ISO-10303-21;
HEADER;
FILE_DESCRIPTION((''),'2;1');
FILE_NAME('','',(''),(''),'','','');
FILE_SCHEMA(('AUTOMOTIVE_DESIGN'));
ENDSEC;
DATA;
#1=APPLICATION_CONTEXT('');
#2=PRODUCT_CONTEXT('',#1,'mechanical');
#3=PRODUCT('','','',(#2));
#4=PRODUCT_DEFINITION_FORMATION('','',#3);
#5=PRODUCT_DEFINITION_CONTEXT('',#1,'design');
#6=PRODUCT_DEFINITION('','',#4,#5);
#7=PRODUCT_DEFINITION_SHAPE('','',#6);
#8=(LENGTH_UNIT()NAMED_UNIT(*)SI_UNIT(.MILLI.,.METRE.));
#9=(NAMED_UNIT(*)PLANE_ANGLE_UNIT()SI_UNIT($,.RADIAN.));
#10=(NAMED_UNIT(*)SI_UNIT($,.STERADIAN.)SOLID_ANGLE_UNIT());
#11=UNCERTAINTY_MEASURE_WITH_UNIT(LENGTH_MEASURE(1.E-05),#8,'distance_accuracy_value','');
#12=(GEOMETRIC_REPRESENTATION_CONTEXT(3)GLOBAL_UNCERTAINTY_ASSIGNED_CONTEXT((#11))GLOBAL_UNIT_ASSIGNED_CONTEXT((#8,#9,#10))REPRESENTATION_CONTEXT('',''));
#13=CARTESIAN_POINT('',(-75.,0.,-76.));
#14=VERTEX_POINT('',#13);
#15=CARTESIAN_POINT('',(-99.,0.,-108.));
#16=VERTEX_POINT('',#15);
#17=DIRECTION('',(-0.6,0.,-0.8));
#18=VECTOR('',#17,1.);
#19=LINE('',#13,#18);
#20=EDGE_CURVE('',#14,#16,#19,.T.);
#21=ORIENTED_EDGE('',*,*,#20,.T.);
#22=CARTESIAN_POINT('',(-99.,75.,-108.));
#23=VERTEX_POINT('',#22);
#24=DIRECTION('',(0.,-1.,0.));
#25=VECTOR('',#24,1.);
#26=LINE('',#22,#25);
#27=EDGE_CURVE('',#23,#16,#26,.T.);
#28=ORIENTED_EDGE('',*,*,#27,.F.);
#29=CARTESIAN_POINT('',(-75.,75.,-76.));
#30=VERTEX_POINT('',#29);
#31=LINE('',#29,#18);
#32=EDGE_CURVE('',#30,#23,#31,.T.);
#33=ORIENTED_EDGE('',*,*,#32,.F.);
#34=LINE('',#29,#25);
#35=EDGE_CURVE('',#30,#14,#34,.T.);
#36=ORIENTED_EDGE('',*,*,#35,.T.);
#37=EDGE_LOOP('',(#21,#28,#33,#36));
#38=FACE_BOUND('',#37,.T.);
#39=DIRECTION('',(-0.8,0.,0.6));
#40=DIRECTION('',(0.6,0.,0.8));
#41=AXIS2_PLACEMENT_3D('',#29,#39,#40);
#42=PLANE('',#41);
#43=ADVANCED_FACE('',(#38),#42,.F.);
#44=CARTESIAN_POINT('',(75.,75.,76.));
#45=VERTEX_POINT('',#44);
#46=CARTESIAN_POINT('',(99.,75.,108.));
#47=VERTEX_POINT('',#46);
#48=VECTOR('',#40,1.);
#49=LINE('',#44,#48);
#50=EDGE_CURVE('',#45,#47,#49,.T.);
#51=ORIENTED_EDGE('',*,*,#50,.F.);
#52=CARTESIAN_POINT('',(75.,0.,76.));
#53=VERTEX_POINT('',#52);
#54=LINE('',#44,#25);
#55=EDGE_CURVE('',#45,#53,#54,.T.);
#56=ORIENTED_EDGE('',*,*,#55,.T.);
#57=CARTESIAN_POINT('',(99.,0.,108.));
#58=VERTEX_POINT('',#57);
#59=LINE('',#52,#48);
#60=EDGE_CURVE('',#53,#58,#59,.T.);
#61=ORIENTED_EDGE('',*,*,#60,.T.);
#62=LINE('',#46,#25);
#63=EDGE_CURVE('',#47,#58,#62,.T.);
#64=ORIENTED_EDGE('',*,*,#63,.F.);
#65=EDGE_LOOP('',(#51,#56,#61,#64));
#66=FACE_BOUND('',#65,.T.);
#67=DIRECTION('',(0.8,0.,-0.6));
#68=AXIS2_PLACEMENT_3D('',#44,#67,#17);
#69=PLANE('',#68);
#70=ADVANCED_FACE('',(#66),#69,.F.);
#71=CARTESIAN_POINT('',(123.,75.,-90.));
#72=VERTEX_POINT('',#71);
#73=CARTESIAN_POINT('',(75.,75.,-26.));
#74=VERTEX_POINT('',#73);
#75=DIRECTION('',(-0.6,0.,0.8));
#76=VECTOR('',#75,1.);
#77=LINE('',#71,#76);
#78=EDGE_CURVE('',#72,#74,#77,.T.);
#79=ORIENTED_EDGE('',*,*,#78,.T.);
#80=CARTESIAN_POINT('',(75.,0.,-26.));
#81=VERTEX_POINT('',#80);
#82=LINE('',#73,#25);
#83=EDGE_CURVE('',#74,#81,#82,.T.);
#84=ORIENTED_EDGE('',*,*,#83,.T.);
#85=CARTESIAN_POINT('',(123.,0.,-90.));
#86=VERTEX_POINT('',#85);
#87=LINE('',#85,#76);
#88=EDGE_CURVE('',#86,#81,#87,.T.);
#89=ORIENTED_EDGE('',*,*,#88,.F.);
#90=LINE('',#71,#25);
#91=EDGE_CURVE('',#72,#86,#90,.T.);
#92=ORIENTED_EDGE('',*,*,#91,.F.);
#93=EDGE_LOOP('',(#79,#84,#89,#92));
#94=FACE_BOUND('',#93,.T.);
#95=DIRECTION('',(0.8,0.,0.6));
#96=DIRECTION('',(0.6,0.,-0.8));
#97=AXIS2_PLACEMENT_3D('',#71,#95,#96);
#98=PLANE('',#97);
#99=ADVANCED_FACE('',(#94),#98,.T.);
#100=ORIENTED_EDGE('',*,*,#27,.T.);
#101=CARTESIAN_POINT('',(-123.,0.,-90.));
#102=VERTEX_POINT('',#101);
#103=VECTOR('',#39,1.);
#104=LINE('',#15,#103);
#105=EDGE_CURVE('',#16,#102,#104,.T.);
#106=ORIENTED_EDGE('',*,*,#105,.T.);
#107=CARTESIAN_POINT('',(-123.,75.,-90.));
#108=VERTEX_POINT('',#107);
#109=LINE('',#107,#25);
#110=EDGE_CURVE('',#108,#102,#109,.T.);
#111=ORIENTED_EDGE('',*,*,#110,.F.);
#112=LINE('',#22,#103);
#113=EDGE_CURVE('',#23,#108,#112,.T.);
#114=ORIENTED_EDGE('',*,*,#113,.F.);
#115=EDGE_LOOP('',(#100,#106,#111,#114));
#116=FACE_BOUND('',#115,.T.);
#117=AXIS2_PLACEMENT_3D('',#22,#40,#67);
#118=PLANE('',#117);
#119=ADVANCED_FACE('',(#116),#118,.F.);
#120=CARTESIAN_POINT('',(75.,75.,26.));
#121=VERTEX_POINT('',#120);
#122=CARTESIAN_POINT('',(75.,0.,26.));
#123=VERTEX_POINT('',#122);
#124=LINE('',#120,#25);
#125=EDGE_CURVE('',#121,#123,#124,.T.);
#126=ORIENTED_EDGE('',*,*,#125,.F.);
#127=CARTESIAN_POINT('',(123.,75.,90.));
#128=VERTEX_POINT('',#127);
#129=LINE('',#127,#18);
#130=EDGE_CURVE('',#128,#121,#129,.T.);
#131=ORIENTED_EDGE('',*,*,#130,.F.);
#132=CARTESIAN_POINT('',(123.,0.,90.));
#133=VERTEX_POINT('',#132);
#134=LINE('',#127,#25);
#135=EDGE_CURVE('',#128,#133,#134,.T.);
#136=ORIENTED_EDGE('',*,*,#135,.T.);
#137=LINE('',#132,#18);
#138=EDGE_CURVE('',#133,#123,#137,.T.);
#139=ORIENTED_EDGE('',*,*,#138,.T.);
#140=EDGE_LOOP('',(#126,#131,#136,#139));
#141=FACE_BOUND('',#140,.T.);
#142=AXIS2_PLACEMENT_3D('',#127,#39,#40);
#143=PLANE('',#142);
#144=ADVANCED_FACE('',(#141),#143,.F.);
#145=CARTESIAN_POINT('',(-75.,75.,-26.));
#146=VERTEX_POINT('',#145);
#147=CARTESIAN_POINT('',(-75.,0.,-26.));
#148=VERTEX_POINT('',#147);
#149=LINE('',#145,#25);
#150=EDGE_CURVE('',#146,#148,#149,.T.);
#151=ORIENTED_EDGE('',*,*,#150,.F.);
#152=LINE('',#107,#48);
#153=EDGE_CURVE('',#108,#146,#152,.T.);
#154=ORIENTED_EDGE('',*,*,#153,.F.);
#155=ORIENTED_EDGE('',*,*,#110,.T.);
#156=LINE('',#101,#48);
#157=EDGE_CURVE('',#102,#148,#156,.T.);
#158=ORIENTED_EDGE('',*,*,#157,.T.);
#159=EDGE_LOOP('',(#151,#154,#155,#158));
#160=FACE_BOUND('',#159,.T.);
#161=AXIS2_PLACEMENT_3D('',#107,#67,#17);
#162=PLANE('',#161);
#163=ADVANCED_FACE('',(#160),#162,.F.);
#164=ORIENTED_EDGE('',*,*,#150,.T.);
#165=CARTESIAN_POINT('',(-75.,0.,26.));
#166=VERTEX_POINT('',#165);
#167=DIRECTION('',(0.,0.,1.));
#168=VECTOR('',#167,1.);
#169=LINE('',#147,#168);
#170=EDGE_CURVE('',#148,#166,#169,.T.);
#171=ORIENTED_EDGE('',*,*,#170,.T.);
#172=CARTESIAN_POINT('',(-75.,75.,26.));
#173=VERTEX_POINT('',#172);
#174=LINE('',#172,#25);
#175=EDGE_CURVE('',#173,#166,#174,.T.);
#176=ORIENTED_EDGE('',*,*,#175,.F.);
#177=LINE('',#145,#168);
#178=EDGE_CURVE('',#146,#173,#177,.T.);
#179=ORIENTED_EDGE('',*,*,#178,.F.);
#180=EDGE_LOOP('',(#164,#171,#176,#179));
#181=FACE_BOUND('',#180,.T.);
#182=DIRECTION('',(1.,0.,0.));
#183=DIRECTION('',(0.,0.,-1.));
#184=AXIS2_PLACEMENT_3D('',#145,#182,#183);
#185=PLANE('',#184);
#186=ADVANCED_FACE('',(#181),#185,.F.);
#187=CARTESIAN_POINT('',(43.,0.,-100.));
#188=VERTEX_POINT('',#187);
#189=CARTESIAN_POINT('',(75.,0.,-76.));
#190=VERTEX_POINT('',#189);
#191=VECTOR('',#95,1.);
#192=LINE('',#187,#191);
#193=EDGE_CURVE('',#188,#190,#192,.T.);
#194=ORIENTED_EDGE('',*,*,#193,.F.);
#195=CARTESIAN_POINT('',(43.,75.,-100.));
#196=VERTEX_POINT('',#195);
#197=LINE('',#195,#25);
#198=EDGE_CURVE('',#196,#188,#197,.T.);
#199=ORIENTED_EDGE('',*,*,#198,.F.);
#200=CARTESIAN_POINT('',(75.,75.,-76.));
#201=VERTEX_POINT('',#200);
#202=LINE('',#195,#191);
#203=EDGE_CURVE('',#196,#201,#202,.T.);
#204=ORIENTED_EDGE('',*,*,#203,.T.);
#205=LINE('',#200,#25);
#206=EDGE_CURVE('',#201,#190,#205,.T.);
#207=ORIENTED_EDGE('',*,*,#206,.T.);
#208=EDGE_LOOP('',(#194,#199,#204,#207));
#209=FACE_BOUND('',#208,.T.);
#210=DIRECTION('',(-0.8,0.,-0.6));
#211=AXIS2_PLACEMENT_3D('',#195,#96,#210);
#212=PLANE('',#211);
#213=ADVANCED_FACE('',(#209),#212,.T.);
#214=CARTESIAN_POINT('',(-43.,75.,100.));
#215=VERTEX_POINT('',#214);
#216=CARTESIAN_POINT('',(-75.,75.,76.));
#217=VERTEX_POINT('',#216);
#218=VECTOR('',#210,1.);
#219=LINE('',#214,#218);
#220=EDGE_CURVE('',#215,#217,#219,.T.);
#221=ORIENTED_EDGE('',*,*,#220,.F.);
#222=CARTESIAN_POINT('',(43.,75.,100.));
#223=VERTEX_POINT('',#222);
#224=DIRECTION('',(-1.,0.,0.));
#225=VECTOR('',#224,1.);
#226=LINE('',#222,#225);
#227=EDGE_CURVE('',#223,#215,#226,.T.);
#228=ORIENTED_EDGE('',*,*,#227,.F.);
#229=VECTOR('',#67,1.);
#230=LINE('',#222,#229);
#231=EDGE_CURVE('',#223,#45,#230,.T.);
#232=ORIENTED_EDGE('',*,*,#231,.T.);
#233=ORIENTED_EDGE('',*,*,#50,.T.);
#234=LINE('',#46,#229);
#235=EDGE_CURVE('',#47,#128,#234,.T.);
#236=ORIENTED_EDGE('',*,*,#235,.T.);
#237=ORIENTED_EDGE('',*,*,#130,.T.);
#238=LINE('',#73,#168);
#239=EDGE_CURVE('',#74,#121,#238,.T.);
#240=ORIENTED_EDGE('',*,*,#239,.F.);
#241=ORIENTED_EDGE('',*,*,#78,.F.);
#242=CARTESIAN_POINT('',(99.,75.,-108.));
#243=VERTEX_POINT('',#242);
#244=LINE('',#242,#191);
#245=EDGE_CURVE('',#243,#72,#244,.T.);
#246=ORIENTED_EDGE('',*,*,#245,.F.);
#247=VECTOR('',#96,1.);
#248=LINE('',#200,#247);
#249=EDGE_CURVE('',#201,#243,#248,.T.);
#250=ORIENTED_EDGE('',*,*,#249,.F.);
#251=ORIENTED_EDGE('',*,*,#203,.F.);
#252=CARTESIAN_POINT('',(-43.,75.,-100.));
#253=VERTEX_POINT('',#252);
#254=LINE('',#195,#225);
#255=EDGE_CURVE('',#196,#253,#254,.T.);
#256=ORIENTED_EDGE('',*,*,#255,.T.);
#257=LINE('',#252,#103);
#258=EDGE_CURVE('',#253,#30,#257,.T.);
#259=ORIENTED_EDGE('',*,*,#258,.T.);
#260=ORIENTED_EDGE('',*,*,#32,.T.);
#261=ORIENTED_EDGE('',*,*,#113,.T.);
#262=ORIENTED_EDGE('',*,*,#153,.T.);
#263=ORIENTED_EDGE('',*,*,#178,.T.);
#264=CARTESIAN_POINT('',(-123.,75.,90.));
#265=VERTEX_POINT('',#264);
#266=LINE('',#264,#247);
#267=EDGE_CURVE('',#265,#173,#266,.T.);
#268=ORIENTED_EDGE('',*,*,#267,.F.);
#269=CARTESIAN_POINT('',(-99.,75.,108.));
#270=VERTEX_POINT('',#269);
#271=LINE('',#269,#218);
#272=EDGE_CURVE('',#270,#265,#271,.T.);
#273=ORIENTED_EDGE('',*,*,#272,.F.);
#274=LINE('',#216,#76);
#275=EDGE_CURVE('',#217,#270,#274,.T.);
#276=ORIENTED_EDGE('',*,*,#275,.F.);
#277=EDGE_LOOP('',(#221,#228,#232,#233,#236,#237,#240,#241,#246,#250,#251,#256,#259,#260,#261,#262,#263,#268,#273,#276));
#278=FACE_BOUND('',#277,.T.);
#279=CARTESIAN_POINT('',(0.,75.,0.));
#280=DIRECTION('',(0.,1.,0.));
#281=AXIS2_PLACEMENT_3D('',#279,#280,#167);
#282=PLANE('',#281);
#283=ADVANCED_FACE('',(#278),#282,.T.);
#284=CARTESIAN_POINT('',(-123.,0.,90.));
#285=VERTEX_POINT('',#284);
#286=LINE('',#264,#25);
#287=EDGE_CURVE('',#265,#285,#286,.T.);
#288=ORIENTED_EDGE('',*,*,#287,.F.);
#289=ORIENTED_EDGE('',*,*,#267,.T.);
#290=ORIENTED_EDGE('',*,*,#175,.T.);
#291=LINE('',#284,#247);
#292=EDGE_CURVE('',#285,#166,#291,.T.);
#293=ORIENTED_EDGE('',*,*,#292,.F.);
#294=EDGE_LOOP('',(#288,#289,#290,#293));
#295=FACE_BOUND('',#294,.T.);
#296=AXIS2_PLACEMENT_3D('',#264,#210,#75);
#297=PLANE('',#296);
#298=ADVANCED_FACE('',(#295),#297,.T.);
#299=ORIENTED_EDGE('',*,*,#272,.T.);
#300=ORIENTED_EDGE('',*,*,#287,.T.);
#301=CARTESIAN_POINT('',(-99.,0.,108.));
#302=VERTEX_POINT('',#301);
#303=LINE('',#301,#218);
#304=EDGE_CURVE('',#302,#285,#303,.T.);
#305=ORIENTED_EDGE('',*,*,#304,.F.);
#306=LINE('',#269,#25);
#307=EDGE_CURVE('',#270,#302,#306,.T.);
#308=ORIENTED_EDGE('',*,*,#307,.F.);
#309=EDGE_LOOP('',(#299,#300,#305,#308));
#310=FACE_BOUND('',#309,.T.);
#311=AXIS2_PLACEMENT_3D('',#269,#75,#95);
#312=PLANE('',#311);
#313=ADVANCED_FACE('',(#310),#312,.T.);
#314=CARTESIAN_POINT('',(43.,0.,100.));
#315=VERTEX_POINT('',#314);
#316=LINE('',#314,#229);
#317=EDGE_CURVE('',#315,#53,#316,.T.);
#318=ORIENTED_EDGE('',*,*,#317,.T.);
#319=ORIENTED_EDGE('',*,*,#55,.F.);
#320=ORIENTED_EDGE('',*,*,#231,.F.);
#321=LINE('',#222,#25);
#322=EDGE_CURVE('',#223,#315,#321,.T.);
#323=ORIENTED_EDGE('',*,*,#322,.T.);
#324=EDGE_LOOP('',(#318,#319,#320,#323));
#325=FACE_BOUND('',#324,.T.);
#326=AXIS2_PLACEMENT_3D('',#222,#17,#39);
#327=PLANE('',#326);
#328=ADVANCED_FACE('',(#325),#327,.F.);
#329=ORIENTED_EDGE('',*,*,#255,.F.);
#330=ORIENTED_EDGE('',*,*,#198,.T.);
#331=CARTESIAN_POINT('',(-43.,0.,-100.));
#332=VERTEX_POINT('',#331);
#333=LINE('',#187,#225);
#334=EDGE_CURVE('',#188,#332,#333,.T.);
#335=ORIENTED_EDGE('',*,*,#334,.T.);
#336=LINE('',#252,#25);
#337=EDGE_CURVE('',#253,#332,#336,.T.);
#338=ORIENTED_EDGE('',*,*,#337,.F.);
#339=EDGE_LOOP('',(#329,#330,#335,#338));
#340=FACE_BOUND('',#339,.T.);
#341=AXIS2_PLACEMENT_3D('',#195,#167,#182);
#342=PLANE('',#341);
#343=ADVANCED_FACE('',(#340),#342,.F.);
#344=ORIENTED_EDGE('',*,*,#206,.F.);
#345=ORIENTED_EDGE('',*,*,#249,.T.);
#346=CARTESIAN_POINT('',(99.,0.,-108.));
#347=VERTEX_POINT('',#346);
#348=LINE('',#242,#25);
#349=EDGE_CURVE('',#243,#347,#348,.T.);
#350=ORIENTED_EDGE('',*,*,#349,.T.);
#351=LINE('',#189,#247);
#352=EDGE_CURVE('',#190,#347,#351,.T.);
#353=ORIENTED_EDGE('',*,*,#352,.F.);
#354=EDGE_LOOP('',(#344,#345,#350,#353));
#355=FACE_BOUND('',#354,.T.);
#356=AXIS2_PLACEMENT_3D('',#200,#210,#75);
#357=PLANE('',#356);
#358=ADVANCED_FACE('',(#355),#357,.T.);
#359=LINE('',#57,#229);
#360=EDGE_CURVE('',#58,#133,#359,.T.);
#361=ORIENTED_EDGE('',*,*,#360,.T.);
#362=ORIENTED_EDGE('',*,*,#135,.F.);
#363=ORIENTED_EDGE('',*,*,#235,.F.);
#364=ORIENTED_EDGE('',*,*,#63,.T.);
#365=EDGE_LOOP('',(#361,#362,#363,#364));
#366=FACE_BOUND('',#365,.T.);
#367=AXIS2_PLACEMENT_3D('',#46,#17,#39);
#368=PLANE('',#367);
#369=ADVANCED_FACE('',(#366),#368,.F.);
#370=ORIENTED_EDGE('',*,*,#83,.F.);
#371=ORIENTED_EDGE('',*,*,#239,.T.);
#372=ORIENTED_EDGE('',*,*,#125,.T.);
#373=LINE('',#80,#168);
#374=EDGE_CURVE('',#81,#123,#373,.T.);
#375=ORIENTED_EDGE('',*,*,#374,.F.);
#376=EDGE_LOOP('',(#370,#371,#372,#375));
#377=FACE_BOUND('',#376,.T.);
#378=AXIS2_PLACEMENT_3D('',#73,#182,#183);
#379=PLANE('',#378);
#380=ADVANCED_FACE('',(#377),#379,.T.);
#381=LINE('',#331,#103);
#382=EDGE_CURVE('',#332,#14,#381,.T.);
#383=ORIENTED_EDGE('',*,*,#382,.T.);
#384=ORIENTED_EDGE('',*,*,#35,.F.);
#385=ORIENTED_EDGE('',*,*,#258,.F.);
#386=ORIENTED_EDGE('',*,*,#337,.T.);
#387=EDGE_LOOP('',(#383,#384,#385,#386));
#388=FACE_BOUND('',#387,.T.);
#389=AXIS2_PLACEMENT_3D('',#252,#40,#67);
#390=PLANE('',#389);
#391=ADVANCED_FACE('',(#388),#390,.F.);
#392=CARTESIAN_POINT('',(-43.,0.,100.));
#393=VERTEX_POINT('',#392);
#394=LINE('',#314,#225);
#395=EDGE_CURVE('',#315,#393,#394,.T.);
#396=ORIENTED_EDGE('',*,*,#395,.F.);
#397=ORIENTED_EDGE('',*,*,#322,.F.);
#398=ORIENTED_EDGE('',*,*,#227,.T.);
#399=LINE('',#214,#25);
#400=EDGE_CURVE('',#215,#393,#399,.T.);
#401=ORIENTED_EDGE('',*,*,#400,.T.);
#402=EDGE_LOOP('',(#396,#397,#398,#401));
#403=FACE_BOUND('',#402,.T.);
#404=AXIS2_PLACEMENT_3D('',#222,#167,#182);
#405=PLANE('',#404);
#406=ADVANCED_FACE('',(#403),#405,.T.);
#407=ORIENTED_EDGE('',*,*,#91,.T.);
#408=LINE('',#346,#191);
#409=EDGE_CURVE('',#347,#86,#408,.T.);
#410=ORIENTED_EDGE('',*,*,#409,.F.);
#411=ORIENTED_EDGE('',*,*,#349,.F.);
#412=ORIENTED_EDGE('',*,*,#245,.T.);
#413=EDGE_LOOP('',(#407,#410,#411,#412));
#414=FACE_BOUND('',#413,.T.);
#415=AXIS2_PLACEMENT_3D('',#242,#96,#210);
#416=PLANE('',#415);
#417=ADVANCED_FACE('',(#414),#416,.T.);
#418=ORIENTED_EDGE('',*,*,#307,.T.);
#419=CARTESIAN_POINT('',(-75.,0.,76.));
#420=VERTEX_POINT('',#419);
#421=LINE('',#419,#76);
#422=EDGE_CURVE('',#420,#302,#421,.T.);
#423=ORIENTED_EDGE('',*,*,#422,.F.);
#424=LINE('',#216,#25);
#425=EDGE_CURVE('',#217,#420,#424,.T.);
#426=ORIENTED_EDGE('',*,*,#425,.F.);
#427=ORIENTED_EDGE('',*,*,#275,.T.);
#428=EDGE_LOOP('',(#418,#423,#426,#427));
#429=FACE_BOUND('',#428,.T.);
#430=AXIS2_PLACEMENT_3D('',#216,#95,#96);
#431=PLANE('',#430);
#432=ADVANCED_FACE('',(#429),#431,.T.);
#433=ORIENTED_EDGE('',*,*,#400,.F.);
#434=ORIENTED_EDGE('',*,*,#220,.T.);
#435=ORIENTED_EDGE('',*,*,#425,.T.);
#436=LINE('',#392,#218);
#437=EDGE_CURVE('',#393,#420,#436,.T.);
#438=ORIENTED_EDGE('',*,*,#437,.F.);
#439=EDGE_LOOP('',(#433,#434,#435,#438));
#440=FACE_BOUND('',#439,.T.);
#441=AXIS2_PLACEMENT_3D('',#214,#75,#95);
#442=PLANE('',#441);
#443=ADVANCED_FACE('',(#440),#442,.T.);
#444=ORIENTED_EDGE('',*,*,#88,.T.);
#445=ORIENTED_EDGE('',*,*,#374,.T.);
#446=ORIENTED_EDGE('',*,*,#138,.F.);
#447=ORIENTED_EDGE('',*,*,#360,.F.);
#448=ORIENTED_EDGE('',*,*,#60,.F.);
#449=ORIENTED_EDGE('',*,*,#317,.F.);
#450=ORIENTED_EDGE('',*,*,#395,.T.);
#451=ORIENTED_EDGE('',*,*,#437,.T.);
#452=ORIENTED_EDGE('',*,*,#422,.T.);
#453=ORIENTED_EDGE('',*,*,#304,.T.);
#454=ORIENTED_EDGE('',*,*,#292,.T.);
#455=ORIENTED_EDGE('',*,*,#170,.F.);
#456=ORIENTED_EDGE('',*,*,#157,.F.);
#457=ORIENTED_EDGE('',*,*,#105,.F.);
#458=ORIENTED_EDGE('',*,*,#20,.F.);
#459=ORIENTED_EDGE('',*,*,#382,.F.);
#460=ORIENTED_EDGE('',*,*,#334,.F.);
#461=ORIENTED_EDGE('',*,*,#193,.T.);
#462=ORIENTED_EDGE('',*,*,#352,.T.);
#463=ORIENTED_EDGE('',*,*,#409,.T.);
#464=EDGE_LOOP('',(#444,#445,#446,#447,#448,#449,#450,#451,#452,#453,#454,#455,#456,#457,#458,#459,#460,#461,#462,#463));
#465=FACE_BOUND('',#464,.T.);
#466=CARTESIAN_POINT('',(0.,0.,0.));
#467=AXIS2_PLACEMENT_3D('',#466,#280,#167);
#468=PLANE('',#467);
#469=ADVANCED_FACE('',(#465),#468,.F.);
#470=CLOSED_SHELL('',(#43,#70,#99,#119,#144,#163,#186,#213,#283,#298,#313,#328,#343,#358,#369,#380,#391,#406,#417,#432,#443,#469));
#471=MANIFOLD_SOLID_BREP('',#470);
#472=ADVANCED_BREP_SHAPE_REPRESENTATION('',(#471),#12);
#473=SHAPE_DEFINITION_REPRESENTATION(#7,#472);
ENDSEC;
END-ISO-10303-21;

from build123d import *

# Parameters (mm, degrees)
BOSS_EXTRUDE1_DEPTH = 75


with BuildPart() as part:
    # Sketch1 → Boss-Extrude1 (new body)
    with BuildSketch(Plane(origin=(0, 0, 0), x_dir=(1, 0, 0), z_dir=(0, 1, 0))):
        Polygon((43, 100), (-43, 100), (-75, 76), (-99, 108), (-123, 90), (-75, 26), (-75, -26), (-123, -90), (-99, -108), (-75, -76), (-43, -100), (43, -100), (75, -76), (99, -108), (123, -90), (75, -26), (75, 26), (123, 90), (99, 108), (75, 76), align=None)
    extrude(amount=BOSS_EXTRUDE1_DEPTH)


solid = part.part
